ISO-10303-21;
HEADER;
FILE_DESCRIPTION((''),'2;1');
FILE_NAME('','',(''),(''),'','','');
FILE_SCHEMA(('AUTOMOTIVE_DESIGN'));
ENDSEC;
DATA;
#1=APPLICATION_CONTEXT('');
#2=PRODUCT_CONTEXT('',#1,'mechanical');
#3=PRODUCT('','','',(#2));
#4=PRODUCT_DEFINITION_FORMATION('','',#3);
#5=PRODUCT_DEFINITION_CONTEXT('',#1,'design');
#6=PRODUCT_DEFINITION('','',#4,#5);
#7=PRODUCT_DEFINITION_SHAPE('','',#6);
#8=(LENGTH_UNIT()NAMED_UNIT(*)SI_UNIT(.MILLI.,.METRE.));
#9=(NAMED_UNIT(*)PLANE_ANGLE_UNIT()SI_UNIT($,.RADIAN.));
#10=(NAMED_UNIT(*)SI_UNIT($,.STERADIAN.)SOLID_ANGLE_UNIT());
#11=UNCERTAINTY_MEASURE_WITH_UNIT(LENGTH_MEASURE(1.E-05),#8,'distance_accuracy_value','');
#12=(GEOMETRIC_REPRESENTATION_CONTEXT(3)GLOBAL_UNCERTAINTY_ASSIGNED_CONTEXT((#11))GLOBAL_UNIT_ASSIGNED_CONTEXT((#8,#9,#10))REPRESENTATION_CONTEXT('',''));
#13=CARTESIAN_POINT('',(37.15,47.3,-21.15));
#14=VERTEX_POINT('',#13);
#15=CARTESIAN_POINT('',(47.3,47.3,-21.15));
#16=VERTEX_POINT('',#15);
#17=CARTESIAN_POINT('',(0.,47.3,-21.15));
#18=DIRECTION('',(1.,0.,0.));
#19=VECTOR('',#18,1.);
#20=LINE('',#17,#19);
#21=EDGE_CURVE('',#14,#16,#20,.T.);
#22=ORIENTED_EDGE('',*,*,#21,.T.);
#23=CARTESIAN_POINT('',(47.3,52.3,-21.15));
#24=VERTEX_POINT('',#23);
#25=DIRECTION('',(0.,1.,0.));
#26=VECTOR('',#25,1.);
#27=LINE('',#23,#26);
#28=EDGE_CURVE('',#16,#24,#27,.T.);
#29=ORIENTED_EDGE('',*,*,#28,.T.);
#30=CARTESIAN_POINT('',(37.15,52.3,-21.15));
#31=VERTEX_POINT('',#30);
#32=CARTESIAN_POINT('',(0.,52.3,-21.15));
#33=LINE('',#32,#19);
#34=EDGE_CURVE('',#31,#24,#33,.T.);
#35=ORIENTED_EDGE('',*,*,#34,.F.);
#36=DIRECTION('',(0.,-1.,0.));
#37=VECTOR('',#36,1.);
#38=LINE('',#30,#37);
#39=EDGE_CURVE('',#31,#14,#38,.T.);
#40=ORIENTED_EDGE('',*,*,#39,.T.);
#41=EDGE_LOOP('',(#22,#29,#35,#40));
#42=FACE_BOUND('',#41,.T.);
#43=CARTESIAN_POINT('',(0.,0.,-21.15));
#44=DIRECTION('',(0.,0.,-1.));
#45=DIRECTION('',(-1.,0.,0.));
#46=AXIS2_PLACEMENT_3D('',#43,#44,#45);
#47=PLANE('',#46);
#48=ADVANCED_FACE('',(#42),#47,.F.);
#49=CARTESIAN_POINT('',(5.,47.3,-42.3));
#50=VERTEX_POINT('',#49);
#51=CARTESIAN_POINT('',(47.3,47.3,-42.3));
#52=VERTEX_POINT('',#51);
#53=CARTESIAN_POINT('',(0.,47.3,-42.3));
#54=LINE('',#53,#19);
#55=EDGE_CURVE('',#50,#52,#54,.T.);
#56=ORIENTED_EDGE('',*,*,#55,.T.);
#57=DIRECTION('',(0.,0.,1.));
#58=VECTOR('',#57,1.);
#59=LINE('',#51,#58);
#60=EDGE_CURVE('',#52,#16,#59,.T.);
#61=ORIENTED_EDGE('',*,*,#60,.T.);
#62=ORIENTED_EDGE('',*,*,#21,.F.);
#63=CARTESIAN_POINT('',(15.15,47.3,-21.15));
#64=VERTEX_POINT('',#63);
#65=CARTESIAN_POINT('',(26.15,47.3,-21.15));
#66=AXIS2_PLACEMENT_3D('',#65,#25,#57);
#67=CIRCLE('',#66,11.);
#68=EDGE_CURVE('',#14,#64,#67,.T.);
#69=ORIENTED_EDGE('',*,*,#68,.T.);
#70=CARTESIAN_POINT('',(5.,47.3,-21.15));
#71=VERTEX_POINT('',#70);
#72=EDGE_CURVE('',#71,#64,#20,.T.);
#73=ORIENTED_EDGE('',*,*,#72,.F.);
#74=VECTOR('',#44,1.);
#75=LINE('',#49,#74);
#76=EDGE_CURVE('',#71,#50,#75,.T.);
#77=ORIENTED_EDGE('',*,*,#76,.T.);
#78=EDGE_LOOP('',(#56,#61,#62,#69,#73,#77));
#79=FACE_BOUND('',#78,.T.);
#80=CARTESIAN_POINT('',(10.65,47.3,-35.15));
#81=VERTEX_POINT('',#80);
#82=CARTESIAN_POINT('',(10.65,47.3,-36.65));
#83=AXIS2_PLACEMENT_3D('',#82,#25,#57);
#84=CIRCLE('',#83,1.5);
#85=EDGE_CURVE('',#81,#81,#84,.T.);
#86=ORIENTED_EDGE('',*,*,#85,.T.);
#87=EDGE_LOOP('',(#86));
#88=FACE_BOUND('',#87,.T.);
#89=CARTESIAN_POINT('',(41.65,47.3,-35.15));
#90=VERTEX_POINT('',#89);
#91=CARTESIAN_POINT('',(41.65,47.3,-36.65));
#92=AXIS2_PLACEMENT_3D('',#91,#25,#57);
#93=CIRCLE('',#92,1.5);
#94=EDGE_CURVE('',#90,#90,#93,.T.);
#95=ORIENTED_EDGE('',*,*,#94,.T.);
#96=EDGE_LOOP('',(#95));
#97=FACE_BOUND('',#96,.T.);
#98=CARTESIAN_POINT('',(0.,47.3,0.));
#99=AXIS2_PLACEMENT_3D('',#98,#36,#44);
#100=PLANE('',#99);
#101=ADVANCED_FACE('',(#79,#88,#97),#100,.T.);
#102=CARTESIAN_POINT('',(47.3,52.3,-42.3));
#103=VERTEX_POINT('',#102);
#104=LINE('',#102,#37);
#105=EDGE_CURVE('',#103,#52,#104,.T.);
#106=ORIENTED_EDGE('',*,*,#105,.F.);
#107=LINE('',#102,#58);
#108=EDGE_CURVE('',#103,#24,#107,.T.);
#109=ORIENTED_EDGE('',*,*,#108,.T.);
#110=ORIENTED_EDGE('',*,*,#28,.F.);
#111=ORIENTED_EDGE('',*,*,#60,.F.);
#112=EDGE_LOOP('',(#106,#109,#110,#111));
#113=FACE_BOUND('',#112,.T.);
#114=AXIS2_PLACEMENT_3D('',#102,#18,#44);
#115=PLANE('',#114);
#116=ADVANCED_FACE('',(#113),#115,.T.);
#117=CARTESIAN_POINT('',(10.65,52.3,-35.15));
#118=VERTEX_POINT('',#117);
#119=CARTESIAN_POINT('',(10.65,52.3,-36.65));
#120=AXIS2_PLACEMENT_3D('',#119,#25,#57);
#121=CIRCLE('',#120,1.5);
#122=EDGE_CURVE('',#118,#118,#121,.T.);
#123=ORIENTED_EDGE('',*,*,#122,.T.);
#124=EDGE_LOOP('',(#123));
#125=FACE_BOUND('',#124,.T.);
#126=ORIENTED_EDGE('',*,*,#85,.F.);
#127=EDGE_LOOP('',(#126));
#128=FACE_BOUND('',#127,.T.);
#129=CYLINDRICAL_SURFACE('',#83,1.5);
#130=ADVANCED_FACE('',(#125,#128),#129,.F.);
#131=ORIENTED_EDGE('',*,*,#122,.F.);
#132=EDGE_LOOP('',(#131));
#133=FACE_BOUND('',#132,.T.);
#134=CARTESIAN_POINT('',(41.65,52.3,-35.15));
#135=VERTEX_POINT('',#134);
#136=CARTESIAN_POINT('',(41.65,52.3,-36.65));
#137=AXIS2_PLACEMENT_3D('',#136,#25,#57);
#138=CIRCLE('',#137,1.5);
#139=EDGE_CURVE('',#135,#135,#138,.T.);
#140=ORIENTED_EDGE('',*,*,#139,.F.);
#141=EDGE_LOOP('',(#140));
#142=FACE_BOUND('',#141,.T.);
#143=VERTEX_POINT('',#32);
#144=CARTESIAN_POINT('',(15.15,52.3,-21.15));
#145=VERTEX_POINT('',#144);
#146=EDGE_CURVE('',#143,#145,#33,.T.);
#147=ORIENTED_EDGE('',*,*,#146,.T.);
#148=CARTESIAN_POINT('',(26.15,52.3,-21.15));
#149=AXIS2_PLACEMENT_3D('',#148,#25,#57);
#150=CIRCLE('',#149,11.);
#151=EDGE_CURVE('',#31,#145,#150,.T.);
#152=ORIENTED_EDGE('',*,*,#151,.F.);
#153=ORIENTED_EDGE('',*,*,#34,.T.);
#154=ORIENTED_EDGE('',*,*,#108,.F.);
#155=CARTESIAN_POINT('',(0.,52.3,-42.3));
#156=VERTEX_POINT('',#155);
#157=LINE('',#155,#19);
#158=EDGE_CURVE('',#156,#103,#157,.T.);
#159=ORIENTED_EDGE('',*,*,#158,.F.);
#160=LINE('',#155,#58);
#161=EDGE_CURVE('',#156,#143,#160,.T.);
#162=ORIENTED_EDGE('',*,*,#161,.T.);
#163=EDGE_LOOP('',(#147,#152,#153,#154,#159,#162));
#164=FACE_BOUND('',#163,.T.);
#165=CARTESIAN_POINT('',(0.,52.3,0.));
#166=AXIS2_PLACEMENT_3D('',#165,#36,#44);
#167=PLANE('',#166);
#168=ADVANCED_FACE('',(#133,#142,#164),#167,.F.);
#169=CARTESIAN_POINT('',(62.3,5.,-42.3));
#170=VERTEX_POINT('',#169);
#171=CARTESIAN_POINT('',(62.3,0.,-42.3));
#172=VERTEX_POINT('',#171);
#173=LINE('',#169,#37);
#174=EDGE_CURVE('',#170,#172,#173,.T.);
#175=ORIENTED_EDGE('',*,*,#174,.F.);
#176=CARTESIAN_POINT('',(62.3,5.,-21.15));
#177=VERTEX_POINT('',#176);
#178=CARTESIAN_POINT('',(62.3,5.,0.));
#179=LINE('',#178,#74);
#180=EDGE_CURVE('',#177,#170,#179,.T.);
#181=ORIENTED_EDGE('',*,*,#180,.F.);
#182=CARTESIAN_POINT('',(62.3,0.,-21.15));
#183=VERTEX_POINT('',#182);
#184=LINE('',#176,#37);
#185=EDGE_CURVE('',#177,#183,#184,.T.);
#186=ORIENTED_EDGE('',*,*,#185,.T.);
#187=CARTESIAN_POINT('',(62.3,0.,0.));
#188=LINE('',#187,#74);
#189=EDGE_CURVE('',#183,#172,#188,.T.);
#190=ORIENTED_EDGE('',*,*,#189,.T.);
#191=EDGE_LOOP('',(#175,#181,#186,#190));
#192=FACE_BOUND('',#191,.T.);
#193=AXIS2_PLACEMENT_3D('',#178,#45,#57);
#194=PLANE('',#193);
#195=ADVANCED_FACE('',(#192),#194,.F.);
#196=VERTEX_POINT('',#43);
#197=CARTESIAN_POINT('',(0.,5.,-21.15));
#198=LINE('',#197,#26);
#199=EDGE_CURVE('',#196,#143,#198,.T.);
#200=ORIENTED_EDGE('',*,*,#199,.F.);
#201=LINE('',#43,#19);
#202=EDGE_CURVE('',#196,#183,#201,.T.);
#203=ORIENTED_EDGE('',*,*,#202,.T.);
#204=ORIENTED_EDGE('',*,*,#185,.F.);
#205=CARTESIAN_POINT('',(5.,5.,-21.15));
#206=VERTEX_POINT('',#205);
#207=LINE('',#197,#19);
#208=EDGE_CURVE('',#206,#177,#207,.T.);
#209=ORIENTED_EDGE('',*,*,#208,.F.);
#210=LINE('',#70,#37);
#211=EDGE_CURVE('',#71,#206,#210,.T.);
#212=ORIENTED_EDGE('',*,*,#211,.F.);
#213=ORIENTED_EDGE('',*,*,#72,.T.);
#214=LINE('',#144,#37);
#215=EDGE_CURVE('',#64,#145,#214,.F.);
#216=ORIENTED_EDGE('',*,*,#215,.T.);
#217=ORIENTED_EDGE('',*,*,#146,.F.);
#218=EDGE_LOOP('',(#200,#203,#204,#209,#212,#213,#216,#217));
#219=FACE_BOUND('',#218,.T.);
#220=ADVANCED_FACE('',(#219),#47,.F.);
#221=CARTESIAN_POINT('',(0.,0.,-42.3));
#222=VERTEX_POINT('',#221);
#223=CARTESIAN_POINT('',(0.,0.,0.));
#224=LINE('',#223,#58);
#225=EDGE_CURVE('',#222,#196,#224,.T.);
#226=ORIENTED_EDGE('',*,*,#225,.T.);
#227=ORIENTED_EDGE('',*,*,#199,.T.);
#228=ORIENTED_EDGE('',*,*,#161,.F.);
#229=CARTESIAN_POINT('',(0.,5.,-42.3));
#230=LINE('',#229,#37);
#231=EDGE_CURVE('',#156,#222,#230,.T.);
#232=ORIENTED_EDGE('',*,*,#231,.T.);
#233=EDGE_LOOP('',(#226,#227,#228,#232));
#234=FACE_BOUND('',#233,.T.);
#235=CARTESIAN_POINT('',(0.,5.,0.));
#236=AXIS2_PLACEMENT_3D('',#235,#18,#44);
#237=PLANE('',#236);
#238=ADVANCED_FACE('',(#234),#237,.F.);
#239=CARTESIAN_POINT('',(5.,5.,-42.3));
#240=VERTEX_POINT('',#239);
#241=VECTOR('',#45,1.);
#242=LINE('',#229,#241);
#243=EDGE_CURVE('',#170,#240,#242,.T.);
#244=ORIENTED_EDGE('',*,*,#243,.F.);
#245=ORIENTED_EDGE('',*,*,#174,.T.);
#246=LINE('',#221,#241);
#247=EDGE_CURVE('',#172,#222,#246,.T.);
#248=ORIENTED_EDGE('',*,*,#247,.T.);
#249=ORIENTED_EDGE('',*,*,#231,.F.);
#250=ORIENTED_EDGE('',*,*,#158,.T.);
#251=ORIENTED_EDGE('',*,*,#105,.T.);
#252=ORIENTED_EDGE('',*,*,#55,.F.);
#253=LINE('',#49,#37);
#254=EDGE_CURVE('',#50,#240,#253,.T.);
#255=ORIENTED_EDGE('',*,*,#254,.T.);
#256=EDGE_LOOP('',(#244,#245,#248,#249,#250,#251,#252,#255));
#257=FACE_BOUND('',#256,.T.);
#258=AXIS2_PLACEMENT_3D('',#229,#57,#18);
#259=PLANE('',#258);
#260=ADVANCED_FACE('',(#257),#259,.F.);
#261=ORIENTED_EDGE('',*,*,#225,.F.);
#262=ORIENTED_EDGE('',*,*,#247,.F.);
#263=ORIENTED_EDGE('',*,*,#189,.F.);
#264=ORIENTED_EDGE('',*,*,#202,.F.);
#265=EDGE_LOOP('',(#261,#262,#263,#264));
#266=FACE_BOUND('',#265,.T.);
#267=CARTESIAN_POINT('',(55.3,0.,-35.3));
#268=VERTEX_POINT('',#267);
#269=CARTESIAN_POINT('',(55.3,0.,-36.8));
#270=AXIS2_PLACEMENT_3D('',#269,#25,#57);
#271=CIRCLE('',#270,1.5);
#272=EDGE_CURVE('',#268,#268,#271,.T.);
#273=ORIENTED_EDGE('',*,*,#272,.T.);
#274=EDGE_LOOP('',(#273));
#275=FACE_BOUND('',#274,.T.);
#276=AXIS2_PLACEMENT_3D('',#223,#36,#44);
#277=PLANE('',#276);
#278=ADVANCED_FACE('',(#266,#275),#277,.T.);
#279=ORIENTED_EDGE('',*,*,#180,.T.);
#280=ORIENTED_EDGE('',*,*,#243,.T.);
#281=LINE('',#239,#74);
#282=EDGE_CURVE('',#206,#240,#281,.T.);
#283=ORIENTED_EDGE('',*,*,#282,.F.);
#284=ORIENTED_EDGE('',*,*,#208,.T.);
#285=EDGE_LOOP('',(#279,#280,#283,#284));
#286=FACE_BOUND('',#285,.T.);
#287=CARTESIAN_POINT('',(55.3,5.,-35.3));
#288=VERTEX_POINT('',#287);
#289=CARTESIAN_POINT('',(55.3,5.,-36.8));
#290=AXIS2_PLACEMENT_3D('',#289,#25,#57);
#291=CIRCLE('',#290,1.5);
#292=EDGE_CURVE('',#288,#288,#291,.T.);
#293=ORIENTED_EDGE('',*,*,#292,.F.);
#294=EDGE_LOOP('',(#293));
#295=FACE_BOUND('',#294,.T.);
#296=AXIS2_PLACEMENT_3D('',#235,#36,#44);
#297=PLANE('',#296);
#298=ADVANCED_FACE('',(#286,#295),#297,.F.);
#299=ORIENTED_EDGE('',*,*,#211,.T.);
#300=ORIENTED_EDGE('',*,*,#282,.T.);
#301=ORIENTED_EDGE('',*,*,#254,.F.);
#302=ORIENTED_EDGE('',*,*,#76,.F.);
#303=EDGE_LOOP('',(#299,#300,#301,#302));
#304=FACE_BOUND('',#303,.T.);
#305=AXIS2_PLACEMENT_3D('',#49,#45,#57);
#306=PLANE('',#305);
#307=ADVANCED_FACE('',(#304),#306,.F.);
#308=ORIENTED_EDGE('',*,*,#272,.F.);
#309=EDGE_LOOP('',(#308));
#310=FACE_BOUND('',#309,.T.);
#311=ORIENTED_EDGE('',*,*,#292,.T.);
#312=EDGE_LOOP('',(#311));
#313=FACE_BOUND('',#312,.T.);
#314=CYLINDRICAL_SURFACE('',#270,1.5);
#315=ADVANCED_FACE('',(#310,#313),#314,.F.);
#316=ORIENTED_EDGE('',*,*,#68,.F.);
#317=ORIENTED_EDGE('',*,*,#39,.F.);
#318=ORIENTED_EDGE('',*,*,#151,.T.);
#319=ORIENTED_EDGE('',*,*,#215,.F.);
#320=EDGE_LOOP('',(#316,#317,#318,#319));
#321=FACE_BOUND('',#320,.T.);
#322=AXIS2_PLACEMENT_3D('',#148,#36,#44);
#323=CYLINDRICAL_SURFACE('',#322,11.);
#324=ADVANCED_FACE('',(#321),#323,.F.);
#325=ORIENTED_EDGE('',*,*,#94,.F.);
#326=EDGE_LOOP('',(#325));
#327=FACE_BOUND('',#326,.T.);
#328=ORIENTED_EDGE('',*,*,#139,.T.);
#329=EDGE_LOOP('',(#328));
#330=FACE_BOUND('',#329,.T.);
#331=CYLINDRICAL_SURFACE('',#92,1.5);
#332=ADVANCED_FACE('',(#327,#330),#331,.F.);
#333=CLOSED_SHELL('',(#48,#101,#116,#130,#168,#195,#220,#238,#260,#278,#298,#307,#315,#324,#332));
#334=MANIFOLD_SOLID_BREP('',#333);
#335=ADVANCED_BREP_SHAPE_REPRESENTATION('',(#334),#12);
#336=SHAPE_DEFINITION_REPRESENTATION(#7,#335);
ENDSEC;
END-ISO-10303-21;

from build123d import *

# Parameters (mm, degrees)
SKETCH1_W           = 62.3
SKETCH1_H           = 42.3
BOSS_EXTRUDE1_DEPTH = 5
SKETCH2_W           = 5
SKETCH2_H           = 42.3
BOSS_EXTRUDE2_DEPTH = 42.3
SKETCH3_W           = 47.3
SKETCH3_H           = 42.3
SKETCH3_R           = 11
BOSS_EXTRUDE3_DEPTH = 5
SKETCH4_R           = 1.5
CUT_EXTRUDE1_DEPTH  = 5
SKETCH5_R           = 1.5
CUT_EXTRUDE2_DEPTH  = 5
SKETCH6_W           = 66.403823896
SKETCH6_H           = 55.517872021
CUT_EXTRUDE3_DEPTH  = 40


with BuildPart() as part:
    # Sketch1 → Boss-Extrude1 (new body)
    with BuildSketch(Plane(origin=(0, 0, 0), x_dir=(1, 0, 0), z_dir=(0, 1, 0))):
        with Locations((31.15, 21.15)):
            Rectangle(SKETCH1_W, SKETCH1_H)
    extrude(amount=BOSS_EXTRUDE1_DEPTH)

    # Sketch2 → Boss-Extrude2 (add)
    with BuildSketch(Plane(origin=(0, 5, 0), x_dir=(1, 0, 0), z_dir=(0, 1, 0))):
        with Locations((2.5, 21.15)):
            Rectangle(SKETCH2_W, SKETCH2_H)
    extrude(amount=BOSS_EXTRUDE2_DEPTH)

    # Sketch3 → Boss-Extrude3 (add)
    with BuildSketch(Plane(origin=(0, 47.3, 0), x_dir=(1, 0, 0), z_dir=(0, 1, 0))):
        with Locations((23.65, 21.15)):
            Rectangle(SKETCH3_W, SKETCH3_H)
        with Locations(Location((26.15, 21.15, 0), (0, 0, 270))):
            Circle(SKETCH3_R, mode=Mode.SUBTRACT)
    extrude(amount=BOSS_EXTRUDE3_DEPTH)

    # Sketch4 → Cut-Extrude1 (cut)
    with BuildSketch(Plane(origin=(0, 52.3, 0), x_dir=(1, 0, 0), z_dir=(0, 1, 0))):
        with Locations(Location((41.65, 36.65, 0), (0, 0, 270))):
            Circle(SKETCH4_R)
        with Locations(Location((10.65, 36.65, 0), (0, 0, 270))):
            Circle(SKETCH4_R)
        with Locations(Location((10.65, 5.65, 0), (0, 0, 270))):
            Circle(SKETCH4_R)
        with Locations(Location((41.65, 5.65, 0), (0, 0, 270))):
            Circle(SKETCH4_R)
    extrude(amount=-CUT_EXTRUDE1_DEPTH, mode=Mode.SUBTRACT)

    # Sketch5 → Cut-Extrude2 (cut)
    with BuildSketch(Plane(origin=(0, 5, 0), x_dir=(1, 0, 0), z_dir=(0, 1, 0))):
        with Locations(Location((55.3, 5.5, 0), (0, 0, 270))):
            Circle(SKETCH5_R)
        with Locations(Location((55.3, 36.8, 0), (0, 0, 270))):
            Circle(SKETCH5_R)
    extrude(amount=-CUT_EXTRUDE2_DEPTH, mode=Mode.SUBTRACT)

    # Sketch6 → Cut-Extrude3 (cut)
    with BuildSketch(Plane(origin=(0, 0, -21.15), x_dir=(-1, 0, 0), z_dir=(0, 0, -1))):
        with Locations((-30.988329777, 26.343035963)):
            Rectangle(SKETCH6_W, SKETCH6_H)
    extrude(amount=-CUT_EXTRUDE3_DEPTH, mode=Mode.SUBTRACT)


solid = part.part
